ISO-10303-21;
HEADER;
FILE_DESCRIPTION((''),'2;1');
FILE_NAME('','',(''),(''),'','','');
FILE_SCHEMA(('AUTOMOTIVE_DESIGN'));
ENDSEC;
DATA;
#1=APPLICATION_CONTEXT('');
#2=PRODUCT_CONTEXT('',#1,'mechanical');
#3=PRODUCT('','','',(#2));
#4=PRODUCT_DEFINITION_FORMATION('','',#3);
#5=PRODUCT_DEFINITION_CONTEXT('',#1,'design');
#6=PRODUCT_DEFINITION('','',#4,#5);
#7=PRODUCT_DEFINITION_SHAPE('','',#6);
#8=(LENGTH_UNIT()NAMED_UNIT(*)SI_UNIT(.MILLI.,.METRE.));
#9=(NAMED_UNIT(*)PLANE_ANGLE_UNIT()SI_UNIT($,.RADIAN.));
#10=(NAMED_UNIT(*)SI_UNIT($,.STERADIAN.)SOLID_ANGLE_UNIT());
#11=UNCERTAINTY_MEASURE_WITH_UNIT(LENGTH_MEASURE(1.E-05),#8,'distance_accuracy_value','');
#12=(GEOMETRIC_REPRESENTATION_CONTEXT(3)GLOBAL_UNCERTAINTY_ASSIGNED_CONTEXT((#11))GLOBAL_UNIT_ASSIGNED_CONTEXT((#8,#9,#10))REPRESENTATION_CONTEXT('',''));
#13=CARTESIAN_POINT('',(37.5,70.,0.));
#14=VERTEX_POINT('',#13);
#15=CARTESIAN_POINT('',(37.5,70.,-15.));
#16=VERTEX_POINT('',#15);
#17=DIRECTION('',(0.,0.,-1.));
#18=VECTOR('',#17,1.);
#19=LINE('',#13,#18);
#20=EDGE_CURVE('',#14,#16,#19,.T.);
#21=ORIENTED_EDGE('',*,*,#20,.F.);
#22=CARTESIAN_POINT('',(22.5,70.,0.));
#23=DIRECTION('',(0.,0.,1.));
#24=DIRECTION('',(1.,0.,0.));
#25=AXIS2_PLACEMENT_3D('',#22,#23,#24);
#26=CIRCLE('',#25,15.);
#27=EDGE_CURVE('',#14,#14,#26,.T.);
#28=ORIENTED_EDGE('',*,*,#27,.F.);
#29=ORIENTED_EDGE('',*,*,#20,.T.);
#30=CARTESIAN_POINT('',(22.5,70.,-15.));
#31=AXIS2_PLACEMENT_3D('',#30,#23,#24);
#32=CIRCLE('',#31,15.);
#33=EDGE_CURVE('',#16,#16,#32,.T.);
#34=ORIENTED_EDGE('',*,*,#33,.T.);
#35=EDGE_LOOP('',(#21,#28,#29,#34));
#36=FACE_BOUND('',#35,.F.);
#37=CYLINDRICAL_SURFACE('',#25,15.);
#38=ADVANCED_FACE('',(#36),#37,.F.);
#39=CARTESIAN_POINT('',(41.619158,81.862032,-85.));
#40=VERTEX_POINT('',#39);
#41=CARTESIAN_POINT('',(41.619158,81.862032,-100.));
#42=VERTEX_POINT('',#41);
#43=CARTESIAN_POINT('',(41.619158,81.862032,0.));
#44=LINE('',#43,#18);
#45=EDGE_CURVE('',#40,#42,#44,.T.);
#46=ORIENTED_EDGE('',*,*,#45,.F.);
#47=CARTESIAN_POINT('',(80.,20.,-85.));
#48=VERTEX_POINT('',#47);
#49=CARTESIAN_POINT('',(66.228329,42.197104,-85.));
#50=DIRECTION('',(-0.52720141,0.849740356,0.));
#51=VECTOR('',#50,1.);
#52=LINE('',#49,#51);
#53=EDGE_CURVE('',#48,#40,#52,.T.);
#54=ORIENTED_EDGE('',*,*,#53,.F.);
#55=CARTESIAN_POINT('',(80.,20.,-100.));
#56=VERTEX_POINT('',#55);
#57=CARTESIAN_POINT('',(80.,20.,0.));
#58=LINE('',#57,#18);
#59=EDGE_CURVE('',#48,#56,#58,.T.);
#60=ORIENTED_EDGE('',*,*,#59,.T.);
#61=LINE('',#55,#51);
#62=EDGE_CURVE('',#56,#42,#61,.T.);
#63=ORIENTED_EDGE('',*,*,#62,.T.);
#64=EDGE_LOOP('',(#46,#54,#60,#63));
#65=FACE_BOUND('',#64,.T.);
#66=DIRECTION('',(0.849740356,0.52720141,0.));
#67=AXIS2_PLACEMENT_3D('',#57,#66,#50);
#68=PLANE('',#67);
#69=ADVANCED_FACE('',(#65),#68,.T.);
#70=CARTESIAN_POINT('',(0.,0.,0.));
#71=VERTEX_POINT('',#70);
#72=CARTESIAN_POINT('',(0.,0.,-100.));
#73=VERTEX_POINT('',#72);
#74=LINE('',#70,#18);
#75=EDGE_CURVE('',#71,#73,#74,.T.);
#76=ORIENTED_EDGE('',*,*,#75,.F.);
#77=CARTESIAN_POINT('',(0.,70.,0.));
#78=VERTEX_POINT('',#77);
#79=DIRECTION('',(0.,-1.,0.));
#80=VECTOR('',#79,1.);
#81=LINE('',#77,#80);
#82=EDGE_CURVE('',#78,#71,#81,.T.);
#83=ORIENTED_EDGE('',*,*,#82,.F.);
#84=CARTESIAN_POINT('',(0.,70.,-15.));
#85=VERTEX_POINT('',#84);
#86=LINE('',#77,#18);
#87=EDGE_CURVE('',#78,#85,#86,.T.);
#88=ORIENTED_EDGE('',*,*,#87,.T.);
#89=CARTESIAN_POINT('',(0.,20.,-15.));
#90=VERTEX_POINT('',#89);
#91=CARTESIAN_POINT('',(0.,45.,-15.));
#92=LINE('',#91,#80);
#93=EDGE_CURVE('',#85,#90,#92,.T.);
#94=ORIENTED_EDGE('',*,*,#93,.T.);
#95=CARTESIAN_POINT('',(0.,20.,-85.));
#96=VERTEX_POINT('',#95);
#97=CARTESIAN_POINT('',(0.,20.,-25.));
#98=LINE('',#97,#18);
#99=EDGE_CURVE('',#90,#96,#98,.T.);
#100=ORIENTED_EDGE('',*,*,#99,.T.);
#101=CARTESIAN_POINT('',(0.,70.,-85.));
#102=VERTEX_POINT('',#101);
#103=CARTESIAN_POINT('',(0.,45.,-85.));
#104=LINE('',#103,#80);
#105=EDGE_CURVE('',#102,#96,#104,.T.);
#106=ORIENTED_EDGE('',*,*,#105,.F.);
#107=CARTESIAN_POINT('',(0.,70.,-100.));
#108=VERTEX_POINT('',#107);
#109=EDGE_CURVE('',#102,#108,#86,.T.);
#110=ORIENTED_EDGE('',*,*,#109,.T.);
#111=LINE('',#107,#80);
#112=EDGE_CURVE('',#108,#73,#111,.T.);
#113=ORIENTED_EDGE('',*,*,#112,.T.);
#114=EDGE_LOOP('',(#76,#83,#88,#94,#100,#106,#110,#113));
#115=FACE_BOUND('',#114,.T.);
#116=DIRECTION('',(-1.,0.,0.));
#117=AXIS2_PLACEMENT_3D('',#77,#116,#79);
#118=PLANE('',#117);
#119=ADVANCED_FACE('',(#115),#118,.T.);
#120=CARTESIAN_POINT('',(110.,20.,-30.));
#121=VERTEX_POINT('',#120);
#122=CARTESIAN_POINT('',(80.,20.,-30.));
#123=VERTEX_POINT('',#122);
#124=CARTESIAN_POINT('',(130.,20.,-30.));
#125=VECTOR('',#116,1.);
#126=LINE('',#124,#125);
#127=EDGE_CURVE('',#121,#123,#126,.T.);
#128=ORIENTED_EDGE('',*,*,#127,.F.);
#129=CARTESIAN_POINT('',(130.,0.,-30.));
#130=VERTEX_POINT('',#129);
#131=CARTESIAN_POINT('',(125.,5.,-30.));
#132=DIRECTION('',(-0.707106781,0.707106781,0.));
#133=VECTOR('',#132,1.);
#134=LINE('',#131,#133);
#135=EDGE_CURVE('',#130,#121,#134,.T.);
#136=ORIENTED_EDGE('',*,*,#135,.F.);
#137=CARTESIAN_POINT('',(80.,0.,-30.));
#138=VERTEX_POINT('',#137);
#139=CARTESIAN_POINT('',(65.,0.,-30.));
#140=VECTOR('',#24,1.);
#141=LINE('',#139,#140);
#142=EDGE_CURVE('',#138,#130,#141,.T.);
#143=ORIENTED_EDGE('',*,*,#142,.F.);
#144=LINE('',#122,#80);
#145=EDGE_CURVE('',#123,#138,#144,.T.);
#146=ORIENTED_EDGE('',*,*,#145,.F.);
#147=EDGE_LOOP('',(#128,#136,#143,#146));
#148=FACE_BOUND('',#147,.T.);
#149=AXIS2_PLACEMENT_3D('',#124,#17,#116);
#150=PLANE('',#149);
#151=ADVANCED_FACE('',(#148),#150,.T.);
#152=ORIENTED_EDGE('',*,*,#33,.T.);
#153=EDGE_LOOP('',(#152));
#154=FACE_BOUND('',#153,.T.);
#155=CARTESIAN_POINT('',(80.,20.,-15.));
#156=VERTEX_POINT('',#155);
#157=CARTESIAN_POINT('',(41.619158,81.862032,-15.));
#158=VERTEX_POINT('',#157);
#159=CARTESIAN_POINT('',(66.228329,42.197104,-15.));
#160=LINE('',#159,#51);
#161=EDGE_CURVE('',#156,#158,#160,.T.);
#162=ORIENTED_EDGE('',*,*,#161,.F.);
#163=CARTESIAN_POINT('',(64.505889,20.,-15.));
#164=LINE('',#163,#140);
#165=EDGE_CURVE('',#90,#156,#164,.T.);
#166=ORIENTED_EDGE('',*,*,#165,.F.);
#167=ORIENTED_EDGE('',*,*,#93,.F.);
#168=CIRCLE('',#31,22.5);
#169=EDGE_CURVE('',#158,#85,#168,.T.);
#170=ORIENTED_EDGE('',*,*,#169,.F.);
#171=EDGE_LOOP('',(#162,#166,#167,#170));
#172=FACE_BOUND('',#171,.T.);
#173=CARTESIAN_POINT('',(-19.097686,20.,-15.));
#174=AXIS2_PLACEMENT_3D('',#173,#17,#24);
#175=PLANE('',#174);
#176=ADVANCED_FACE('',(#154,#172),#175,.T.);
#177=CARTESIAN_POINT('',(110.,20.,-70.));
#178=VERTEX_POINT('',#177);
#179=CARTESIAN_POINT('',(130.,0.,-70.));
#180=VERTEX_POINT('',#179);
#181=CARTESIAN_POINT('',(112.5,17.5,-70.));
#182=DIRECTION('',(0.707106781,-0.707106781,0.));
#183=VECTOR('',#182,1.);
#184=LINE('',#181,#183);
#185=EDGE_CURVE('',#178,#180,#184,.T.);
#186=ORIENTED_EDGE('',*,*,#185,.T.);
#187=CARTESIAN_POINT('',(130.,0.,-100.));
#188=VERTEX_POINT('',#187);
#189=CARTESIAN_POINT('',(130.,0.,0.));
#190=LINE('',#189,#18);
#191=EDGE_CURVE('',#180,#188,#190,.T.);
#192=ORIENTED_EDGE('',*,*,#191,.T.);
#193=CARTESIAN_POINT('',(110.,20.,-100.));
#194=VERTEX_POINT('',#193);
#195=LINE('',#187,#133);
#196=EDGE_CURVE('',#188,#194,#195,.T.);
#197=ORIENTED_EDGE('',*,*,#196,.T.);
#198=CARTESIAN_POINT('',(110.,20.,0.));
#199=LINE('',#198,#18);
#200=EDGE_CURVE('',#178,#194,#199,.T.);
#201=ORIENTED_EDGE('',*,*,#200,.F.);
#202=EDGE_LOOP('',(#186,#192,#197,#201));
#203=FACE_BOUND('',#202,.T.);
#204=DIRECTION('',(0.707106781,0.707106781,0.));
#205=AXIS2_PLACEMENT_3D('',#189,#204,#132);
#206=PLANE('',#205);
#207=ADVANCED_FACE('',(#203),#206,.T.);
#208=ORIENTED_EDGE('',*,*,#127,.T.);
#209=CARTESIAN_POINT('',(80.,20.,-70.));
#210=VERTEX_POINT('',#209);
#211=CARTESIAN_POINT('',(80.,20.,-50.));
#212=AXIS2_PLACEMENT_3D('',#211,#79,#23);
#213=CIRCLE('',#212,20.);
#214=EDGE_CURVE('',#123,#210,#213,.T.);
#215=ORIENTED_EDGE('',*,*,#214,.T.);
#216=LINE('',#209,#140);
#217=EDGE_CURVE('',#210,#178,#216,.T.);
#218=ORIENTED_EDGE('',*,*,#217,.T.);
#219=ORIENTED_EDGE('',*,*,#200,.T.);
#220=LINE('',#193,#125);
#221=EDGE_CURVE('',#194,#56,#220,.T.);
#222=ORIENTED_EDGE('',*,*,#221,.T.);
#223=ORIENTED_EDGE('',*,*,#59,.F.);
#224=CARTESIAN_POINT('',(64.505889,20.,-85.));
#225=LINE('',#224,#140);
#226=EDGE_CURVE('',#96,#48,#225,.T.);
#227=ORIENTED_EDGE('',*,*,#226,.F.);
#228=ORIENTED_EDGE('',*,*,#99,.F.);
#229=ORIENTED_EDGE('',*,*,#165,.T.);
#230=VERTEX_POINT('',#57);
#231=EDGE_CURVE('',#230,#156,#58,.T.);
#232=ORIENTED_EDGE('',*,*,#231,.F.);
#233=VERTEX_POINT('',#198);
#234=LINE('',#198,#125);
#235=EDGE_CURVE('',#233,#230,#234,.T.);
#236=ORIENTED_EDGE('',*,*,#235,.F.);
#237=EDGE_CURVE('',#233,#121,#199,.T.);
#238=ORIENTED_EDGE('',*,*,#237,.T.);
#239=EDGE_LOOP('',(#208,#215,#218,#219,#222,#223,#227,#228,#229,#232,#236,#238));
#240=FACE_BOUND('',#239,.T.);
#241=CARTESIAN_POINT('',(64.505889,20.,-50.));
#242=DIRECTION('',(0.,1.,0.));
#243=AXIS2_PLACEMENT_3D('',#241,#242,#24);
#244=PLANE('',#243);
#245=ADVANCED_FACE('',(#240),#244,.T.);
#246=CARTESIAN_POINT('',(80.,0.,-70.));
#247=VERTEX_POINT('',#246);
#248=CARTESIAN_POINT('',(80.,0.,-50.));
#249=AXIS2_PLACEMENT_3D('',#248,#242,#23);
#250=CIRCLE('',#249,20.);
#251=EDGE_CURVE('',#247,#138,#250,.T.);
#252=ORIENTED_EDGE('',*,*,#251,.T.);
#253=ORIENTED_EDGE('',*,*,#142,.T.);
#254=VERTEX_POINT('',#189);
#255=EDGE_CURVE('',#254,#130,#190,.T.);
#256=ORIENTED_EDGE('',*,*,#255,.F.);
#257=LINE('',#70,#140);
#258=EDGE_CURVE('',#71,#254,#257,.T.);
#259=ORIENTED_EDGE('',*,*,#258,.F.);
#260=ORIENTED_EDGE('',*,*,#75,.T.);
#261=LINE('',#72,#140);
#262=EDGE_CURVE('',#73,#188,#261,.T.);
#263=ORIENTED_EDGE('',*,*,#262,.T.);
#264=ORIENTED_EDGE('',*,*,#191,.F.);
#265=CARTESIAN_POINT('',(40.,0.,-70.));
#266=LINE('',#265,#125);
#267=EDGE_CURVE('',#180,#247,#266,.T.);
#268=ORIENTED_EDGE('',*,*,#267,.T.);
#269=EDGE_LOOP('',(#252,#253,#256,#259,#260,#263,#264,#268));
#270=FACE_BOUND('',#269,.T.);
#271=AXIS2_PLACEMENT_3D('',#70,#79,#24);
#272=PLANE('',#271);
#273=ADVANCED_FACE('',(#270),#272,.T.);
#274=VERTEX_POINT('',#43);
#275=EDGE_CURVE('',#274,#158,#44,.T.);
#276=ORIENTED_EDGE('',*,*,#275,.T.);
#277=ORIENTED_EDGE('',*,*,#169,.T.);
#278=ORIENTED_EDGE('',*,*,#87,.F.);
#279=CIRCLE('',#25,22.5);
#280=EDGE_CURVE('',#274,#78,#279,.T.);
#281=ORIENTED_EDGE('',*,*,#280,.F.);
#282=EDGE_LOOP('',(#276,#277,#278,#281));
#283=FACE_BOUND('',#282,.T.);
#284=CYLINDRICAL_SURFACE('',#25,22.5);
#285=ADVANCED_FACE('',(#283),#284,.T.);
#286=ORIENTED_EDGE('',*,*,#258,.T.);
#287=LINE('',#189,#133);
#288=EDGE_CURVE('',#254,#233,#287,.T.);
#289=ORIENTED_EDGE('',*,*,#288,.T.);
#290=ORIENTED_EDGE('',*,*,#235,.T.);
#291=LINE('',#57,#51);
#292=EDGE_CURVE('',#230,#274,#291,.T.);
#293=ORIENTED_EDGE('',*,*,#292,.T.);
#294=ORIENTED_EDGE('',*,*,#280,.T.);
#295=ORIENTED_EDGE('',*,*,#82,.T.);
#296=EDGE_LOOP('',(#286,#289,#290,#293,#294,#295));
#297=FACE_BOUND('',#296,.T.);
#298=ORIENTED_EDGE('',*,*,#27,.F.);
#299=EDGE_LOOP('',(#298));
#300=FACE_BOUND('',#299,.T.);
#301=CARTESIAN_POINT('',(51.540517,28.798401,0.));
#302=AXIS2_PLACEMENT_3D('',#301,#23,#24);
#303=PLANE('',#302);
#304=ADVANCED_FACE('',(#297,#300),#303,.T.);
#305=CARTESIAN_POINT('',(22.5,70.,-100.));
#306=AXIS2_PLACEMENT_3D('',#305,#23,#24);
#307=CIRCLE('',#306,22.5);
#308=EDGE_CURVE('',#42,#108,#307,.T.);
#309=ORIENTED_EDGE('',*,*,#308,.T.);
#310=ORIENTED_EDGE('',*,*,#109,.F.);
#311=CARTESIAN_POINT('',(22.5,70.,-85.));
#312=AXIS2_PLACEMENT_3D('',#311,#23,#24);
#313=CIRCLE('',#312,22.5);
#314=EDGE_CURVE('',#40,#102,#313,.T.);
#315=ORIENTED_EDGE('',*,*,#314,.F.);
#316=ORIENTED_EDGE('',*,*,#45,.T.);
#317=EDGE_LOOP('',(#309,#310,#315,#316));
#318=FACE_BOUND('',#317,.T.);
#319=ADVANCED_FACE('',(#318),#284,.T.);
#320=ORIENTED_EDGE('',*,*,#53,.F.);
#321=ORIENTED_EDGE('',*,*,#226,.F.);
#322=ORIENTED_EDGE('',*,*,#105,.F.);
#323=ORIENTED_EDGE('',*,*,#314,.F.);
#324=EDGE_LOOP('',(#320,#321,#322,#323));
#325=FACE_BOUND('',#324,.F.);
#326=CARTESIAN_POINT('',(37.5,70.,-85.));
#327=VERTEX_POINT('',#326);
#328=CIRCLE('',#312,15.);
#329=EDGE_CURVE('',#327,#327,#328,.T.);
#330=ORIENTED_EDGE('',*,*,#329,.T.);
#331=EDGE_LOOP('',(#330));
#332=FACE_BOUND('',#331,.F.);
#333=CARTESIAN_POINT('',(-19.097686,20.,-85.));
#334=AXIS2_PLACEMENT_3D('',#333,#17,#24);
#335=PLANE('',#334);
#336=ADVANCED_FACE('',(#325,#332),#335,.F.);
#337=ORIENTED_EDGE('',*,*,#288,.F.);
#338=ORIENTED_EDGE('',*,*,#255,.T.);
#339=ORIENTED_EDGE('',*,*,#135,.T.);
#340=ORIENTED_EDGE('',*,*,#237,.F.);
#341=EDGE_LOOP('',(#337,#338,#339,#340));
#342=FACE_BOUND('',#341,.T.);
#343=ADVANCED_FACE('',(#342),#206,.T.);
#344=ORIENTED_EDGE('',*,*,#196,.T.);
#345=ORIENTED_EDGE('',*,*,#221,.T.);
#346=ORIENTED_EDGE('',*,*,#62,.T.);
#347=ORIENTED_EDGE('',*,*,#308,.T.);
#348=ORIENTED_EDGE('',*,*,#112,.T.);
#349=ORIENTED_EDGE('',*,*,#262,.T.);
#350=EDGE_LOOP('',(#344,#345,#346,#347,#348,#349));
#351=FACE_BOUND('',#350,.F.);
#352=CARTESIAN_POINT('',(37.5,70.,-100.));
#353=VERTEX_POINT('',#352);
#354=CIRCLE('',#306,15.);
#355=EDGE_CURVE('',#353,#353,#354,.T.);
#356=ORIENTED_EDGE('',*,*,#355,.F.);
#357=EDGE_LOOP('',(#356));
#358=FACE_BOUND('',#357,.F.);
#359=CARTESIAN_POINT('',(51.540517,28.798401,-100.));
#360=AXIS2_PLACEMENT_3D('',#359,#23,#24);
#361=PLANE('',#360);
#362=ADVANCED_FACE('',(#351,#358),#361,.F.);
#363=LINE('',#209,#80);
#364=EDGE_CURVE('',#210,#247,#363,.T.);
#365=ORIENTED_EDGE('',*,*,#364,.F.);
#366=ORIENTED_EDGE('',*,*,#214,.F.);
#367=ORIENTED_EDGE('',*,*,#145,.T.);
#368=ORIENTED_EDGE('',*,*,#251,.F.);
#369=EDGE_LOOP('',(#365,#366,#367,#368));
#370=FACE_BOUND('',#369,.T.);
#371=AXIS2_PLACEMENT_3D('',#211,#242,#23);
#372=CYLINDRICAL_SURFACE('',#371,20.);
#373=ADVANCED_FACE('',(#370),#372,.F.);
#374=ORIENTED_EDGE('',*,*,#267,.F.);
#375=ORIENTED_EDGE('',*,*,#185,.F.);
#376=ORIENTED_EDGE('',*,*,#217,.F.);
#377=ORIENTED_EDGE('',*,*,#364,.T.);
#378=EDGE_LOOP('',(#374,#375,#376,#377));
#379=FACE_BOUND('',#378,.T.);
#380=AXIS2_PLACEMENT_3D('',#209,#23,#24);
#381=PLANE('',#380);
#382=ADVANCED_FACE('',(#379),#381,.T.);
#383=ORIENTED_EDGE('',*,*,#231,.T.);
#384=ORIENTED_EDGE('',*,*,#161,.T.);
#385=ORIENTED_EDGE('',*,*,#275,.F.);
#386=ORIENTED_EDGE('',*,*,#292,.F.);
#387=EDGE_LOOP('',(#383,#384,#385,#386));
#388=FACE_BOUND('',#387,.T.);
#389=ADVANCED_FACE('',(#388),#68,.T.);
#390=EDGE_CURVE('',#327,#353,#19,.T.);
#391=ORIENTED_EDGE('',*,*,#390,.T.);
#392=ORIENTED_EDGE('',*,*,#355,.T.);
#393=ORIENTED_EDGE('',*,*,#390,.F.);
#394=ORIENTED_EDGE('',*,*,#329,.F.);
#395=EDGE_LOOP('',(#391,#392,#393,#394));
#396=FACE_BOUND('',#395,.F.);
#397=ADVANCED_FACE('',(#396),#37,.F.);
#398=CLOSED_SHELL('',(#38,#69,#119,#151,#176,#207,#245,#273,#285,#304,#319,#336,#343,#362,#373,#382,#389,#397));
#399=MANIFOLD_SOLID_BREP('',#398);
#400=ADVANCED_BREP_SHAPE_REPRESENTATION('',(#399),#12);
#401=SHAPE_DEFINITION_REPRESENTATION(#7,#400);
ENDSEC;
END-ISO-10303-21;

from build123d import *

# Parameters (mm, degrees)
SKETCH1_R           = 22.5
SKETCH1_R_2         = 15
BOSS_EXTRUDE1_DEPTH = 100
SKETCH2_W           = 167.207150193
SKETCH2_H           = 70
CUT_EXTRUDE1_DEPTH  = 73.5
CUT_EXTRUDE2_DEPTH  = 21


with BuildPart() as part:
    # Sketch1 → Boss-Extrude1 (new body)
    with BuildSketch(Plane.XY):
        with BuildLine():
            Line((0, 70), (0, 0))
            Line((0, 0), (130, 0))
            Line((130, 0), (110, 20))
            Line((110, 20), (80, 20))
            Line((80, 20), (41.61915802, 81.862031723))
            ThreePointArc((41.61915802, 81.862031723), (44.138288466, 76.16720944), (45, 70))
            ThreePointArc((45, 70), (22.5, 47.5), (0, 70))
        make_face()
        with Locations((22.5, 70)):
            Circle(SKETCH1_R)
        with Locations((22.5, 70)):
            Circle(SKETCH1_R_2, mode=Mode.SUBTRACT)
    extrude(amount=-BOSS_EXTRUDE1_DEPTH)

    # Sketch2 → Cut-Extrude1 (cut, through all)
    with BuildSketch(Plane(origin=(0, 20, 0), x_dir=(1, 0, 0), z_dir=(0, 1, 0))):
        with Locations((64.505889037, 50)):
            Rectangle(SKETCH2_W, SKETCH2_H)
    extrude(amount=CUT_EXTRUDE1_DEPTH, mode=Mode.SUBTRACT)

    # Sketch3 → Cut-Extrude2 (cut, through all)
    with BuildSketch(Plane(origin=(0, 20, 0), x_dir=(1, 0, 0), z_dir=(0, 1, 0))):
        with BuildLine():
            Line((80, 70), (130, 70))
            Line((130, 70), (130, 30))
            Line((130, 30), (80, 30))
            ThreePointArc((80, 30), (60, 50), (80, 70))
        make_face()
    extrude(amount=-CUT_EXTRUDE2_DEPTH, mode=Mode.SUBTRACT)


solid = part.part
